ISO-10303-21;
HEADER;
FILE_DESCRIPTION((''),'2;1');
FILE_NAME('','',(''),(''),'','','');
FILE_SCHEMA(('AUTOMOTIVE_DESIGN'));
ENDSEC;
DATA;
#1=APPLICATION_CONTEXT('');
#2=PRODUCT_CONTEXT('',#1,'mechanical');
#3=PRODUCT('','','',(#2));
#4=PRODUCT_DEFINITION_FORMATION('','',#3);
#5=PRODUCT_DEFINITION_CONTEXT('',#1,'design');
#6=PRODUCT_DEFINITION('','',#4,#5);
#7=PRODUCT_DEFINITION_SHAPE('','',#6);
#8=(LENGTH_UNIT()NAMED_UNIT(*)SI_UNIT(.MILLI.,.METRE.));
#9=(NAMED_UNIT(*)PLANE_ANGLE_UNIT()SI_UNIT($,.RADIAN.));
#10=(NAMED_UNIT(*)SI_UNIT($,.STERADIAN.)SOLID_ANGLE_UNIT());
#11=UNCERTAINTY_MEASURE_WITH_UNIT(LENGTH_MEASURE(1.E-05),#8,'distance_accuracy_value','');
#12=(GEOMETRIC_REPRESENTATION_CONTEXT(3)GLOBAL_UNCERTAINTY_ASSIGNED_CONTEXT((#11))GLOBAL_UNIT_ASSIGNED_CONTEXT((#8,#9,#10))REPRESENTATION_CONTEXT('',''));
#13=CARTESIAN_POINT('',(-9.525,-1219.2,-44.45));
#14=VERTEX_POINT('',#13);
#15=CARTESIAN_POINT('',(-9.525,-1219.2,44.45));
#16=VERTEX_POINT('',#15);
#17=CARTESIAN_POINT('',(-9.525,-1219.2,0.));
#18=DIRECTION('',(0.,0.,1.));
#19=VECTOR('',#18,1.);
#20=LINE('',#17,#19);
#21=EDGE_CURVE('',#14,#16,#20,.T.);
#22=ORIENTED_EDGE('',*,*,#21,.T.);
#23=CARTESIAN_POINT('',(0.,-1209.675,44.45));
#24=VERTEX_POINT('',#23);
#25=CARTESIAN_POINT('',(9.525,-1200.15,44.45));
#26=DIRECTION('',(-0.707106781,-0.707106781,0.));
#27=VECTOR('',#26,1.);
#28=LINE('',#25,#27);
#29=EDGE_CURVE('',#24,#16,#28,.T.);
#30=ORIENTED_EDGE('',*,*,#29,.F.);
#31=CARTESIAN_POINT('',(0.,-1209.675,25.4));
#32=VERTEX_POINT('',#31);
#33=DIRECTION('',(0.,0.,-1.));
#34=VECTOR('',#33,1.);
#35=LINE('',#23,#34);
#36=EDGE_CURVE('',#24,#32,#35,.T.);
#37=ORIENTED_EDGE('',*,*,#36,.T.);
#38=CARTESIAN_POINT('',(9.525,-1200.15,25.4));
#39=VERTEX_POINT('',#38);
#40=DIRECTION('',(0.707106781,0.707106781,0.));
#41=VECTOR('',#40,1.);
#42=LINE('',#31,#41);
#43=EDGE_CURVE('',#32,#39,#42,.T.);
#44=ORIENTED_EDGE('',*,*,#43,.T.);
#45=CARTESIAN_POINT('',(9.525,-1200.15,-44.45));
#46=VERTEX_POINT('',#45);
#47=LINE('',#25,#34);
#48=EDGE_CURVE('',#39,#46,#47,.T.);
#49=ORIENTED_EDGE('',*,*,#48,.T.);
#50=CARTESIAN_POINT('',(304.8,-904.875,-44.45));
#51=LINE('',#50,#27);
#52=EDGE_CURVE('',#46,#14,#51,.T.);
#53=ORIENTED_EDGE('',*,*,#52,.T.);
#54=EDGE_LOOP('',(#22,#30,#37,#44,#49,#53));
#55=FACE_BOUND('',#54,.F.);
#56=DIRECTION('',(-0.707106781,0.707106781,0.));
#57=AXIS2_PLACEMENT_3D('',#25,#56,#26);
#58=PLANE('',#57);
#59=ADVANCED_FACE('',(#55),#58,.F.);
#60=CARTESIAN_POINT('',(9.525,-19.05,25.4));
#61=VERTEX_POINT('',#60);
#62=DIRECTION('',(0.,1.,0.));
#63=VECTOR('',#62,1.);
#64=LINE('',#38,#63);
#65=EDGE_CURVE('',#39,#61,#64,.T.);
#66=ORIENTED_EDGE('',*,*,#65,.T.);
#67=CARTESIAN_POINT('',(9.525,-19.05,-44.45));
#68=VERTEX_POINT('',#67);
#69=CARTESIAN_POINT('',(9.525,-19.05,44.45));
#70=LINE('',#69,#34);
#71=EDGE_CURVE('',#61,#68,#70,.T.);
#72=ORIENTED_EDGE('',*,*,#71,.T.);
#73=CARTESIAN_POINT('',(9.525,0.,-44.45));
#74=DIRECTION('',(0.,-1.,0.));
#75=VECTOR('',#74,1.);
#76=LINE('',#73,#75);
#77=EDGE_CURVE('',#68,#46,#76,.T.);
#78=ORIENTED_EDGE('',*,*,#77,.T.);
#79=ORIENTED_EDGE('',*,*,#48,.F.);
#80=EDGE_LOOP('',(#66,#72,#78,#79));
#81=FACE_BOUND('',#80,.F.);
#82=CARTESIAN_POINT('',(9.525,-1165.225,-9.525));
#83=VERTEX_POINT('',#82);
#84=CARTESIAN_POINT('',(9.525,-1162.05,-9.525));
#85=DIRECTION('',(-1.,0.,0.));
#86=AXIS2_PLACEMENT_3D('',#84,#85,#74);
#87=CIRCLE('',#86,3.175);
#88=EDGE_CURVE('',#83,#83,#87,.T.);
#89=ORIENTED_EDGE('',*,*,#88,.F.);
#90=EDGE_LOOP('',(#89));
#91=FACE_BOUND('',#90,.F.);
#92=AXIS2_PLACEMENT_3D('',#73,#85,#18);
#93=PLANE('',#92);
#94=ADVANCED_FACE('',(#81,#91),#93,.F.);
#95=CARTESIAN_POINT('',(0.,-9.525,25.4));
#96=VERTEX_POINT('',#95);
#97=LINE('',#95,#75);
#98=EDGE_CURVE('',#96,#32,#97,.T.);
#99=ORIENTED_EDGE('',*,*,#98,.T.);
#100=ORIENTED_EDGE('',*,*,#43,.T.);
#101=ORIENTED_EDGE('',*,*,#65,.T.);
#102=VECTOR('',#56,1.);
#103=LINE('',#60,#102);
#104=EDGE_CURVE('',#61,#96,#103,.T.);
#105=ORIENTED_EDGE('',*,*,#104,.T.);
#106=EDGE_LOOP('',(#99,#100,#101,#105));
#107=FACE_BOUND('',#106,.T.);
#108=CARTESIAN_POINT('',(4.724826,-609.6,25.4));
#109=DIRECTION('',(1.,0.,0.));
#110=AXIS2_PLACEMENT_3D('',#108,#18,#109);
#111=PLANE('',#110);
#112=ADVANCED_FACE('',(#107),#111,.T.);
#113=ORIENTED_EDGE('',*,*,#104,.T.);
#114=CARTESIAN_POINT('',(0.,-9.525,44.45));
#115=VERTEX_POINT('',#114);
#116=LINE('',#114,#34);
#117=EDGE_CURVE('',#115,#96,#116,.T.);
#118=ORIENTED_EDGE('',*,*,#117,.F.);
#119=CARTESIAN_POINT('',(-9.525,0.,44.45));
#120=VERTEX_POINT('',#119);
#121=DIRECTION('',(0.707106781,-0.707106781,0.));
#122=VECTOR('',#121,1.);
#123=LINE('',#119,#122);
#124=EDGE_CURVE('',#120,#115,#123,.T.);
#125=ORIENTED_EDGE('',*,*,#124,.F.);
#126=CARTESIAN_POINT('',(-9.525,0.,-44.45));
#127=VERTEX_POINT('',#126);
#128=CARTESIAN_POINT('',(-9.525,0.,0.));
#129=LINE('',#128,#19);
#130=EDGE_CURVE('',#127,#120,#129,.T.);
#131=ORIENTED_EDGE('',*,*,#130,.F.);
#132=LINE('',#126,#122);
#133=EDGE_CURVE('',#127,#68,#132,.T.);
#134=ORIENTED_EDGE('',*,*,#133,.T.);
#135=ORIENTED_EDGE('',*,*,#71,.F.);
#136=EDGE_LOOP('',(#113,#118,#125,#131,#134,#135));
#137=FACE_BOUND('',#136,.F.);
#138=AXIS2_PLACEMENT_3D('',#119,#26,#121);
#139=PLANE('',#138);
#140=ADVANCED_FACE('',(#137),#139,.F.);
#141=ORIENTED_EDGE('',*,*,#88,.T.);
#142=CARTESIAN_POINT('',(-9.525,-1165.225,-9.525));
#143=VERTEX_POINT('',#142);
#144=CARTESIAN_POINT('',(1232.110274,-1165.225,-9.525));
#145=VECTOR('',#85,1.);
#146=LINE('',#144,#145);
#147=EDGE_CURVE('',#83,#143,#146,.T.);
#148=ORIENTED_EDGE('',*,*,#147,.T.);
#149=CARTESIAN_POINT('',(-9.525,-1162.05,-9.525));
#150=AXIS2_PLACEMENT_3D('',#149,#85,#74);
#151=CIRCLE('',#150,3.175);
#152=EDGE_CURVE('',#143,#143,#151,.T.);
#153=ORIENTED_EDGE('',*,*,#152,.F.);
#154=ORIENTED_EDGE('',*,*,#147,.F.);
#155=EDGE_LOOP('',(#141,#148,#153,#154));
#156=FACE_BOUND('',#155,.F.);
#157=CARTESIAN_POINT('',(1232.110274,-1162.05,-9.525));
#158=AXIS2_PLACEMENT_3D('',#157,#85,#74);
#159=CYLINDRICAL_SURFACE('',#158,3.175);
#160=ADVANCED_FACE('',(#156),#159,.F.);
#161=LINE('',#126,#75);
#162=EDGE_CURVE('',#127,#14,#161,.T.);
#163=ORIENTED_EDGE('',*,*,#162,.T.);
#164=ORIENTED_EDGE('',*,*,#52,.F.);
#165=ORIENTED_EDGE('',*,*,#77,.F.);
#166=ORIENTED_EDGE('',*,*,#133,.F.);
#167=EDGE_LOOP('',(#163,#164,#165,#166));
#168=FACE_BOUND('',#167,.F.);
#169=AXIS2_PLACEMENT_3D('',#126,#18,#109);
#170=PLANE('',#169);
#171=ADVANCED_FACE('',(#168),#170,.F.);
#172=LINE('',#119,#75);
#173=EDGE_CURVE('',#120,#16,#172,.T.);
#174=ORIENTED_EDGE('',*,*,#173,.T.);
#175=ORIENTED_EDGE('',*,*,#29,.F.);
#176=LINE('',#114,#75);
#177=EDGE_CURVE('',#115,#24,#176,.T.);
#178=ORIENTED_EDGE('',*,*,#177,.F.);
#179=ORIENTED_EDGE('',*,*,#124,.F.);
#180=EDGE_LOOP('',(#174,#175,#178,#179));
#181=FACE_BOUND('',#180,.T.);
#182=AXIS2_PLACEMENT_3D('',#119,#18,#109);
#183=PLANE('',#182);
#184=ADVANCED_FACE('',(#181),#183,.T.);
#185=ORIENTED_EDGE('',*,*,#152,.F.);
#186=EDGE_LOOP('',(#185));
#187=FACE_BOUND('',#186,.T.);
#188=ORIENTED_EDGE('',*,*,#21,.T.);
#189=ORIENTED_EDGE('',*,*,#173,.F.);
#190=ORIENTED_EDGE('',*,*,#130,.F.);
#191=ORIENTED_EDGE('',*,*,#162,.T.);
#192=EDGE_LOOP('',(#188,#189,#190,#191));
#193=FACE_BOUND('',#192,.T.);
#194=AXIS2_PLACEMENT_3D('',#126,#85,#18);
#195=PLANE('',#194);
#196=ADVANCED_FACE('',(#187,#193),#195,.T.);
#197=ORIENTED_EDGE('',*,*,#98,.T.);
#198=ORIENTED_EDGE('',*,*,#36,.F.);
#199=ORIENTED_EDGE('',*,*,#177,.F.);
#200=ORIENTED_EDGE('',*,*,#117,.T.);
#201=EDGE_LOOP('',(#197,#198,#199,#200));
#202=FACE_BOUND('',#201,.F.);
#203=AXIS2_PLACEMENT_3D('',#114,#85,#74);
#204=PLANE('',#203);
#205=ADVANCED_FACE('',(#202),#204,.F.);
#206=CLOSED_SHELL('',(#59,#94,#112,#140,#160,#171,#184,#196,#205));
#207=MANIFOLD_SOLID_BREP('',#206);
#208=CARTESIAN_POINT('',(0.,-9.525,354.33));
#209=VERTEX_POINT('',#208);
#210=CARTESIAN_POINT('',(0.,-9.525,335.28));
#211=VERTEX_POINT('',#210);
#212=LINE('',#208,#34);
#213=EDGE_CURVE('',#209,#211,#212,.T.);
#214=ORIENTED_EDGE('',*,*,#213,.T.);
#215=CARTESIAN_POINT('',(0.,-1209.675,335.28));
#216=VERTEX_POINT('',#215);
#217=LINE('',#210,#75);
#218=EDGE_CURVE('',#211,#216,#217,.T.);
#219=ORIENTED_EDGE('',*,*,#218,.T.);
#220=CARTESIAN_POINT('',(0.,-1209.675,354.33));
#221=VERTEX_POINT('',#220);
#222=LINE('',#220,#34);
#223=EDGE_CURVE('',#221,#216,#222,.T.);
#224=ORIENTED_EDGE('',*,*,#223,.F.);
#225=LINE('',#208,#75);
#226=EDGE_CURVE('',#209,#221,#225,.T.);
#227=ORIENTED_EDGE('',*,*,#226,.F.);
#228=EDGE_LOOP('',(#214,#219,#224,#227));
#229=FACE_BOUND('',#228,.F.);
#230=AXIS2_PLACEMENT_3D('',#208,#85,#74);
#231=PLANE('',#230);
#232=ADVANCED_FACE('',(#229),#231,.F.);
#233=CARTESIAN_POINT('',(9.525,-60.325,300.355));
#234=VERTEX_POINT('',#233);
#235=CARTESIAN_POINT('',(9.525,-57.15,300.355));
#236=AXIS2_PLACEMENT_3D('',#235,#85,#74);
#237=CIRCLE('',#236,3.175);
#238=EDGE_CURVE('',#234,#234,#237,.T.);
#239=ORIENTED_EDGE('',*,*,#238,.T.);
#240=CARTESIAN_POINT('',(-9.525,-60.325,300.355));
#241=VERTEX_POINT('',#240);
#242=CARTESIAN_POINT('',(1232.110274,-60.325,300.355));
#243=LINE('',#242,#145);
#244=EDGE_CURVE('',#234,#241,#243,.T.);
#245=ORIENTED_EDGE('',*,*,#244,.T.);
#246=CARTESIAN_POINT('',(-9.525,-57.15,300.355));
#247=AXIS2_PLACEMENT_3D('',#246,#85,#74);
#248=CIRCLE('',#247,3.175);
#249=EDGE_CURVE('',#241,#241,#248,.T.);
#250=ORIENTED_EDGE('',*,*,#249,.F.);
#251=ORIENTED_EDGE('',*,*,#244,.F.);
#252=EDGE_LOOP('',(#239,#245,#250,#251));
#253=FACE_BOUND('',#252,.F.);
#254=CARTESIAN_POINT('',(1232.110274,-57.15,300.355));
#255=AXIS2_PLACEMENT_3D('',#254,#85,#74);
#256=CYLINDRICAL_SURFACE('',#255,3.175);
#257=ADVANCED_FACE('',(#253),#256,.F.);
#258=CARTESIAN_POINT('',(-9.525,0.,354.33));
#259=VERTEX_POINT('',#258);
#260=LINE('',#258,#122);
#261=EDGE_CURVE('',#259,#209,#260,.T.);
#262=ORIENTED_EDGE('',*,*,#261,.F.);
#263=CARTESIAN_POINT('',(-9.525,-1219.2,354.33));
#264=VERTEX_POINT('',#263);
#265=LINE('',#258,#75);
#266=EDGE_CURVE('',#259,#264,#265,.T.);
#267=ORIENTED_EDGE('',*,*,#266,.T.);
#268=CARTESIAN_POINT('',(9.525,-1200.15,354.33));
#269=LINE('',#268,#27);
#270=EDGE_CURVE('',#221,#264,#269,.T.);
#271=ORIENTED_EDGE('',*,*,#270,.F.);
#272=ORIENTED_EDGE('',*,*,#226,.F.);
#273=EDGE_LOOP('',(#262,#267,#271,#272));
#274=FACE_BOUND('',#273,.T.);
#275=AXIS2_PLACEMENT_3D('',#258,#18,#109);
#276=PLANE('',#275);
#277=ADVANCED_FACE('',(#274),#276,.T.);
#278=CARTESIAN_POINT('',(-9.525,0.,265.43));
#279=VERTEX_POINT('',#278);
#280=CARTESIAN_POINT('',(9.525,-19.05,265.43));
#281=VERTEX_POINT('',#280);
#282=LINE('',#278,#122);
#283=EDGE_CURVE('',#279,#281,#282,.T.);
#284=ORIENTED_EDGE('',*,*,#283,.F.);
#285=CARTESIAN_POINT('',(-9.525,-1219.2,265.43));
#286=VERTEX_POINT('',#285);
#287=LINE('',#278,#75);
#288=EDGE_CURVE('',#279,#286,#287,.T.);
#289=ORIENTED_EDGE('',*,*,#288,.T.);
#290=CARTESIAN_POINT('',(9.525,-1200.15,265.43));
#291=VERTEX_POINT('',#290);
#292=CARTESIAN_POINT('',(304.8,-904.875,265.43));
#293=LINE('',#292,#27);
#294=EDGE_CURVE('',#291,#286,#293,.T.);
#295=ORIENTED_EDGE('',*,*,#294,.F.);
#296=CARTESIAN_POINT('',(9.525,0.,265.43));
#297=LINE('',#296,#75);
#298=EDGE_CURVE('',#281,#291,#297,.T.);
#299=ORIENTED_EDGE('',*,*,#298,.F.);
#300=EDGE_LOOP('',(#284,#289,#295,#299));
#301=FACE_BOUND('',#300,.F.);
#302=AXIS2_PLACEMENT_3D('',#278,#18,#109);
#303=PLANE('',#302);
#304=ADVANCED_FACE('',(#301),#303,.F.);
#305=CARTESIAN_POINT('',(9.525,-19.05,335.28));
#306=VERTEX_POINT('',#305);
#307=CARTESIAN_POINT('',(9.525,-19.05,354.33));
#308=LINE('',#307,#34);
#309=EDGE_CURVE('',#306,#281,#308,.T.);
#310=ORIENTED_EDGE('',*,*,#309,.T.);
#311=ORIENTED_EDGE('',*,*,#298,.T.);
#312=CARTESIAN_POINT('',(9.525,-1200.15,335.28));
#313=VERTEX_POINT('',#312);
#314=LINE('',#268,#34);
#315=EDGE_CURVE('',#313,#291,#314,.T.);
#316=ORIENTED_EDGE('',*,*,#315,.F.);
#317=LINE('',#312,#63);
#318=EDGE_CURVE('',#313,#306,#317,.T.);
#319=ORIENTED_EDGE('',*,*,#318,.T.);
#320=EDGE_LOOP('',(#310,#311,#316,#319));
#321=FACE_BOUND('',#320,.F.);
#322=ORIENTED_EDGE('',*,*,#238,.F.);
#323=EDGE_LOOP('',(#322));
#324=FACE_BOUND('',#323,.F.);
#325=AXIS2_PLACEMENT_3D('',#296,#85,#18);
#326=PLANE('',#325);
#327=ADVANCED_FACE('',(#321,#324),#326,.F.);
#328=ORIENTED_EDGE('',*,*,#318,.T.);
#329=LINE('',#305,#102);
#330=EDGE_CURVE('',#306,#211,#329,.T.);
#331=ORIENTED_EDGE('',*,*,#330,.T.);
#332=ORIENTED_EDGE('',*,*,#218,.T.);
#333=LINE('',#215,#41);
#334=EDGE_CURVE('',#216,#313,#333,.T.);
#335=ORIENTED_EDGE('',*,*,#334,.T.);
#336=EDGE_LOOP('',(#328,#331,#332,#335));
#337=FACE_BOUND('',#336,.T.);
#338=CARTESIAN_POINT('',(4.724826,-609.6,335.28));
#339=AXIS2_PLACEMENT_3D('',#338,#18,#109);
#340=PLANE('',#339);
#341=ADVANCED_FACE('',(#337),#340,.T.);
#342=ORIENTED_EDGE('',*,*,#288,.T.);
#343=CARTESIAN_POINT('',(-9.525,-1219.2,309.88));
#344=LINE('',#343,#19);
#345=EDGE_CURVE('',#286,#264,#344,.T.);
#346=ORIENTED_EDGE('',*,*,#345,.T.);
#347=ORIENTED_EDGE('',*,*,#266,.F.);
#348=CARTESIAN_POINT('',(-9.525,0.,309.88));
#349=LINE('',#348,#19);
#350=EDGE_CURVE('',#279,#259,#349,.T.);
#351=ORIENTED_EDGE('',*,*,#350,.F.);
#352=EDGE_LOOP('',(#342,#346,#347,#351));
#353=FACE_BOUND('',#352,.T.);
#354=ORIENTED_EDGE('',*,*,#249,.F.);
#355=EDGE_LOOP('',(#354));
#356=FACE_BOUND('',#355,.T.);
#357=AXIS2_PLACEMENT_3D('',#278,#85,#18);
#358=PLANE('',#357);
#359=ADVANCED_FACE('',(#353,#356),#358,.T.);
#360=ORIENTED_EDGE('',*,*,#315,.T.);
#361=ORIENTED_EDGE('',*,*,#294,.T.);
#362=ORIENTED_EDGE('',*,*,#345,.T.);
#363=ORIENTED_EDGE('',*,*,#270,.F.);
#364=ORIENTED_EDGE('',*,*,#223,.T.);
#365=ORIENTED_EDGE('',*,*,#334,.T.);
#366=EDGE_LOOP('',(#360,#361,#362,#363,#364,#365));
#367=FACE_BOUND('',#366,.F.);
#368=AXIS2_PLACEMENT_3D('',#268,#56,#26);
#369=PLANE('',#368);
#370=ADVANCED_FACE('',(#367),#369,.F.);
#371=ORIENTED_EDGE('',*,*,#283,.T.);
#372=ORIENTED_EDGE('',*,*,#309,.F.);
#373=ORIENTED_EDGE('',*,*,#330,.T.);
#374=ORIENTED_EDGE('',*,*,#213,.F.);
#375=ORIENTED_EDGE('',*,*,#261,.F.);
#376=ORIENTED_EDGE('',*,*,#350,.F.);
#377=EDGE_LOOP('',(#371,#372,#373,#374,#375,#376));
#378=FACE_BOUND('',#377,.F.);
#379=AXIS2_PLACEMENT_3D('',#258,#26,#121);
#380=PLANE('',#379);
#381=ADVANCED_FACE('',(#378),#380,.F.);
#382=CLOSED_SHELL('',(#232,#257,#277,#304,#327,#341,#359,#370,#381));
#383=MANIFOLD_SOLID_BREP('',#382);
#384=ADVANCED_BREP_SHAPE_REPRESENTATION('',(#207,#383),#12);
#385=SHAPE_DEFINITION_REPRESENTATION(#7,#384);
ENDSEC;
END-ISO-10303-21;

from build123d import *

# Parameters (mm, degrees)
F0_W     = 19.05
F0_H     = 88.9
F1_DEPTH = 1219.2
F3_DEPTH = 88.901
F5_DEPTH = 19.05
F8_D     = 6.35
F10_D    = 6.35


with BuildPart() as f1:
    # F0 (on Front) → F1 (new body)
    with BuildSketch(Plane.XZ):
        Rectangle(F0_W, F0_H)
    extrude(amount=F1_DEPTH)

    # F2 (on face) → F3 (cut, through all)
    with BuildSketch(Plane.XY.offset(44.45)):
        Polygon((9.525, -1200.15), (-9.525, -1219.2), (0, -1219.2), (9.525, -1219.2), align=None)
        Polygon((0, 0), (-9.525, 0), (9.525, -19.05), (9.525, 0), align=None)
    extrude(amount=-F3_DEPTH, mode=Mode.SUBTRACT)

    # F4 (on face) → F5 (cut)
    with BuildSketch(Plane.XY.offset(44.45)):
        Polygon((0, -9.525), (0, -1209.675), (9.525, -1200.15), (9.525, -19.05), align=None)
    extrude(amount=-F5_DEPTH, mode=Mode.SUBTRACT)


with BuildPart() as f6_1:
    # F6: copy of F1
    add(f1.part.moved(Location((0, 0, 309.88))))

    # F8 (through all)
    with Locations(Plane.YZ.offset(9.525)):
        with Locations((-57.15, 300.355)):
            Hole(F8_D / 2)


with BuildPart() as f1_1:
    add(f1.part)

    # F10 (through all)
    with Locations(Plane.YZ.offset(9.525)):
        with Locations((-1162.05, -9.525)):
            Hole(F10_D / 2)


solid = Compound([f6_1.part, f1_1.part])
